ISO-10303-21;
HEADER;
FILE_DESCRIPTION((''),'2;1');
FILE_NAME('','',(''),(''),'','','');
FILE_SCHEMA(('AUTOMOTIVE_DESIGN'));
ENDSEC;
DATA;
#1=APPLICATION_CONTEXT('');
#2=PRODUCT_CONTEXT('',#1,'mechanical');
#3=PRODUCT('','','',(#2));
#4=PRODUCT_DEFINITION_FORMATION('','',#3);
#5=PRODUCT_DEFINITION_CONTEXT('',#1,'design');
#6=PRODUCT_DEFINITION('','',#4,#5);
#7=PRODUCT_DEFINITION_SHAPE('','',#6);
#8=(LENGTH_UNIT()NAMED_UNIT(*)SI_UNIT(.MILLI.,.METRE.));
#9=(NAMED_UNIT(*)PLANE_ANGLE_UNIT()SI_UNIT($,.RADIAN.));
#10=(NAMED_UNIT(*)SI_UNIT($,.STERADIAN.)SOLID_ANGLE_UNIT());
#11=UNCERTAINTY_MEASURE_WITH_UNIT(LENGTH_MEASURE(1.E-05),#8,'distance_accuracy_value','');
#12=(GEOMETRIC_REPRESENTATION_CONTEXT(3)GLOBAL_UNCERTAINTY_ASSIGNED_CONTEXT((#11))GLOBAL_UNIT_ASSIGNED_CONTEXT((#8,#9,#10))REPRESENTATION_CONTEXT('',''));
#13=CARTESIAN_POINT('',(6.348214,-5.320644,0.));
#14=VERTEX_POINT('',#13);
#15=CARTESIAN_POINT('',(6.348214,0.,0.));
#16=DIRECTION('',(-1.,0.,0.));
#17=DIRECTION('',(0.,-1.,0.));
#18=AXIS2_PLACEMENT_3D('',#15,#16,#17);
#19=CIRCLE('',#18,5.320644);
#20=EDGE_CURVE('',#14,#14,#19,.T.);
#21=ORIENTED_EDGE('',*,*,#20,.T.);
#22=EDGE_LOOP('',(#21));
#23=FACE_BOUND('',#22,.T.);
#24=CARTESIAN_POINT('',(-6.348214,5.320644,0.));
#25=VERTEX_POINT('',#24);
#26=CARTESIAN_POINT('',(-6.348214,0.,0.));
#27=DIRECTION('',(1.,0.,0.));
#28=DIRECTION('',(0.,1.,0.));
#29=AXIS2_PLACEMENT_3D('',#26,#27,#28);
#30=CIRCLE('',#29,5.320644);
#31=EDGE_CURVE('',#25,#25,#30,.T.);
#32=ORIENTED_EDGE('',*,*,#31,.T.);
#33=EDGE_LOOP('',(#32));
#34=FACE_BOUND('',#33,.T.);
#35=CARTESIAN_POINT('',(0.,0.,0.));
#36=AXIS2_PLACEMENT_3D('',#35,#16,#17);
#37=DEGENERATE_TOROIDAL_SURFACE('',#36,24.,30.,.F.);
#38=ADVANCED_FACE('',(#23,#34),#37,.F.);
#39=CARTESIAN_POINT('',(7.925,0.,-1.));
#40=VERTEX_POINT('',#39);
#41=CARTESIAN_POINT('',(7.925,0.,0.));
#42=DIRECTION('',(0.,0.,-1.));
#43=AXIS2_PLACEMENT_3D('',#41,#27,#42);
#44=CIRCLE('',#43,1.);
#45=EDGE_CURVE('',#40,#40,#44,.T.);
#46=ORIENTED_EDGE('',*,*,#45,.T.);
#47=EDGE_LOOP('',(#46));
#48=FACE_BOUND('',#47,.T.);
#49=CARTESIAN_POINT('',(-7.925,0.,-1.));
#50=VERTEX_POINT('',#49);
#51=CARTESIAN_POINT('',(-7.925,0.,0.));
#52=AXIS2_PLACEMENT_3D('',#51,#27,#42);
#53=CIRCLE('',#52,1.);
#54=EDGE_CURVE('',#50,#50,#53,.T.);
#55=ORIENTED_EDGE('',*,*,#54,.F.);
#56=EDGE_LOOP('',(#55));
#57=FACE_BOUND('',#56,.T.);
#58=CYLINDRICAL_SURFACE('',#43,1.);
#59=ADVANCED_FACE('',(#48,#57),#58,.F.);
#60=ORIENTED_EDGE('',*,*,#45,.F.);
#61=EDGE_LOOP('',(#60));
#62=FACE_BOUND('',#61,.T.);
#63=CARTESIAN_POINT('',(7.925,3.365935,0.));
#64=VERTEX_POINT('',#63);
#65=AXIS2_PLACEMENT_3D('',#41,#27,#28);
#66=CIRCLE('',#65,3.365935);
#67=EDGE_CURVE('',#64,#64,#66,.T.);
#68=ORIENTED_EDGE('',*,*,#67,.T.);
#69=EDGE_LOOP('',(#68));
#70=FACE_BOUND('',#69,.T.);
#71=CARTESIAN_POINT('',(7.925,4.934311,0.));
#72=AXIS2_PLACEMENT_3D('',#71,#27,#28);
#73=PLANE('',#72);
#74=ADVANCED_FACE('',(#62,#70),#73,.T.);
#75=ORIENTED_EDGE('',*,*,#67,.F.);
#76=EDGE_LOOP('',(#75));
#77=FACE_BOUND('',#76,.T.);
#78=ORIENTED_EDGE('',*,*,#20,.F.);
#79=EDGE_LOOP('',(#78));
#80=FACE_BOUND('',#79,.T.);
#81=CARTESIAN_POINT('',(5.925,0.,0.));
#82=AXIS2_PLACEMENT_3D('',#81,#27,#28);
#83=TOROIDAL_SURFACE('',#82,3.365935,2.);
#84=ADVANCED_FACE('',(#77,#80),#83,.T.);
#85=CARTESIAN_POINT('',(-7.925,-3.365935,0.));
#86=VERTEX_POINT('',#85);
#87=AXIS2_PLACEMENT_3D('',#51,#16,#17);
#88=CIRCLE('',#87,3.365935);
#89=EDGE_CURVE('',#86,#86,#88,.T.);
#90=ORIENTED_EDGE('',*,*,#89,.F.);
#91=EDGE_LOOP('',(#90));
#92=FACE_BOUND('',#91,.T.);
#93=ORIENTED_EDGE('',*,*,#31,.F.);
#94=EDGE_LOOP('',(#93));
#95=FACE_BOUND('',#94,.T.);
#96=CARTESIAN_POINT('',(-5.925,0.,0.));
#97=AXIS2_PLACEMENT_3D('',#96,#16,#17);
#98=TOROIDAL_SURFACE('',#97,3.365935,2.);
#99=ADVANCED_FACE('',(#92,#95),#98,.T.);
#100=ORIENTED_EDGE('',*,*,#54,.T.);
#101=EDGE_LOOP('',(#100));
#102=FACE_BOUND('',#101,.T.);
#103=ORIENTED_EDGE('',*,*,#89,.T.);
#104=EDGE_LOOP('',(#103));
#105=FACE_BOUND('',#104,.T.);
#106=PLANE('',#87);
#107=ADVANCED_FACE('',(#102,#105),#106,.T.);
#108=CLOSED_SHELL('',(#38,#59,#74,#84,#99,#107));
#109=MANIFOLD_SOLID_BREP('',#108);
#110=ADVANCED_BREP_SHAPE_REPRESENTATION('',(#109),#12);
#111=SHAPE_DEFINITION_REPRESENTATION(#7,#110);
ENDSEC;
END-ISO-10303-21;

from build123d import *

# Parameters (mm, degrees)
RACCORDO1_R          = 2
RACCORDO2_R          = 2
FORO_0_2_0_2_1_D     = 2
FORO_0_2_0_2_1_DEPTH = 15.85


with BuildPart() as part:
    # Schizzo1 → Rivoluzione1 (revolve)
    with BuildSketch(Plane(origin=(0, 0, 0), x_dir=(-1, 0, 0), z_dir=(0, 0, -1))):
        with BuildLine():
            Line((-7.925, 4.934311379), (-7.925, 0))
            Line((-7.925, 0), (7.925, 0))
            Line((7.925, 0), (7.925, 4.934311379))
            ThreePointArc((7.925, 4.934311379), (0, 6), (-7.925, 4.934311379))
        make_face()
    revolve(axis=Axis((7.925, 0, 0), (-1, 0, 0)))

    # Raccordo1
    raccordo1_edges = [part.edges().sort_by_distance(p)[0] for p in [
        (7.925, -4.934311379, 0),
    ]]
    fillet(raccordo1_edges, radius=RACCORDO1_R)

    # Raccordo2
    raccordo2_edges = [part.edges().sort_by_distance(p)[0] for p in [
        (-7.925, -4.934311379, 0),
    ]]
    fillet(raccordo2_edges, radius=RACCORDO2_R)

    # Foro Ø0.2 (0.2)-1
    with Locations(Plane(origin=(7.925, 0, 0), x_dir=(0, 0, -1), z_dir=(1, 0, 0))):
        with Locations((0, 0)):
            Hole(FORO_0_2_0_2_1_D / 2, depth=FORO_0_2_0_2_1_DEPTH)


solid = part.part
